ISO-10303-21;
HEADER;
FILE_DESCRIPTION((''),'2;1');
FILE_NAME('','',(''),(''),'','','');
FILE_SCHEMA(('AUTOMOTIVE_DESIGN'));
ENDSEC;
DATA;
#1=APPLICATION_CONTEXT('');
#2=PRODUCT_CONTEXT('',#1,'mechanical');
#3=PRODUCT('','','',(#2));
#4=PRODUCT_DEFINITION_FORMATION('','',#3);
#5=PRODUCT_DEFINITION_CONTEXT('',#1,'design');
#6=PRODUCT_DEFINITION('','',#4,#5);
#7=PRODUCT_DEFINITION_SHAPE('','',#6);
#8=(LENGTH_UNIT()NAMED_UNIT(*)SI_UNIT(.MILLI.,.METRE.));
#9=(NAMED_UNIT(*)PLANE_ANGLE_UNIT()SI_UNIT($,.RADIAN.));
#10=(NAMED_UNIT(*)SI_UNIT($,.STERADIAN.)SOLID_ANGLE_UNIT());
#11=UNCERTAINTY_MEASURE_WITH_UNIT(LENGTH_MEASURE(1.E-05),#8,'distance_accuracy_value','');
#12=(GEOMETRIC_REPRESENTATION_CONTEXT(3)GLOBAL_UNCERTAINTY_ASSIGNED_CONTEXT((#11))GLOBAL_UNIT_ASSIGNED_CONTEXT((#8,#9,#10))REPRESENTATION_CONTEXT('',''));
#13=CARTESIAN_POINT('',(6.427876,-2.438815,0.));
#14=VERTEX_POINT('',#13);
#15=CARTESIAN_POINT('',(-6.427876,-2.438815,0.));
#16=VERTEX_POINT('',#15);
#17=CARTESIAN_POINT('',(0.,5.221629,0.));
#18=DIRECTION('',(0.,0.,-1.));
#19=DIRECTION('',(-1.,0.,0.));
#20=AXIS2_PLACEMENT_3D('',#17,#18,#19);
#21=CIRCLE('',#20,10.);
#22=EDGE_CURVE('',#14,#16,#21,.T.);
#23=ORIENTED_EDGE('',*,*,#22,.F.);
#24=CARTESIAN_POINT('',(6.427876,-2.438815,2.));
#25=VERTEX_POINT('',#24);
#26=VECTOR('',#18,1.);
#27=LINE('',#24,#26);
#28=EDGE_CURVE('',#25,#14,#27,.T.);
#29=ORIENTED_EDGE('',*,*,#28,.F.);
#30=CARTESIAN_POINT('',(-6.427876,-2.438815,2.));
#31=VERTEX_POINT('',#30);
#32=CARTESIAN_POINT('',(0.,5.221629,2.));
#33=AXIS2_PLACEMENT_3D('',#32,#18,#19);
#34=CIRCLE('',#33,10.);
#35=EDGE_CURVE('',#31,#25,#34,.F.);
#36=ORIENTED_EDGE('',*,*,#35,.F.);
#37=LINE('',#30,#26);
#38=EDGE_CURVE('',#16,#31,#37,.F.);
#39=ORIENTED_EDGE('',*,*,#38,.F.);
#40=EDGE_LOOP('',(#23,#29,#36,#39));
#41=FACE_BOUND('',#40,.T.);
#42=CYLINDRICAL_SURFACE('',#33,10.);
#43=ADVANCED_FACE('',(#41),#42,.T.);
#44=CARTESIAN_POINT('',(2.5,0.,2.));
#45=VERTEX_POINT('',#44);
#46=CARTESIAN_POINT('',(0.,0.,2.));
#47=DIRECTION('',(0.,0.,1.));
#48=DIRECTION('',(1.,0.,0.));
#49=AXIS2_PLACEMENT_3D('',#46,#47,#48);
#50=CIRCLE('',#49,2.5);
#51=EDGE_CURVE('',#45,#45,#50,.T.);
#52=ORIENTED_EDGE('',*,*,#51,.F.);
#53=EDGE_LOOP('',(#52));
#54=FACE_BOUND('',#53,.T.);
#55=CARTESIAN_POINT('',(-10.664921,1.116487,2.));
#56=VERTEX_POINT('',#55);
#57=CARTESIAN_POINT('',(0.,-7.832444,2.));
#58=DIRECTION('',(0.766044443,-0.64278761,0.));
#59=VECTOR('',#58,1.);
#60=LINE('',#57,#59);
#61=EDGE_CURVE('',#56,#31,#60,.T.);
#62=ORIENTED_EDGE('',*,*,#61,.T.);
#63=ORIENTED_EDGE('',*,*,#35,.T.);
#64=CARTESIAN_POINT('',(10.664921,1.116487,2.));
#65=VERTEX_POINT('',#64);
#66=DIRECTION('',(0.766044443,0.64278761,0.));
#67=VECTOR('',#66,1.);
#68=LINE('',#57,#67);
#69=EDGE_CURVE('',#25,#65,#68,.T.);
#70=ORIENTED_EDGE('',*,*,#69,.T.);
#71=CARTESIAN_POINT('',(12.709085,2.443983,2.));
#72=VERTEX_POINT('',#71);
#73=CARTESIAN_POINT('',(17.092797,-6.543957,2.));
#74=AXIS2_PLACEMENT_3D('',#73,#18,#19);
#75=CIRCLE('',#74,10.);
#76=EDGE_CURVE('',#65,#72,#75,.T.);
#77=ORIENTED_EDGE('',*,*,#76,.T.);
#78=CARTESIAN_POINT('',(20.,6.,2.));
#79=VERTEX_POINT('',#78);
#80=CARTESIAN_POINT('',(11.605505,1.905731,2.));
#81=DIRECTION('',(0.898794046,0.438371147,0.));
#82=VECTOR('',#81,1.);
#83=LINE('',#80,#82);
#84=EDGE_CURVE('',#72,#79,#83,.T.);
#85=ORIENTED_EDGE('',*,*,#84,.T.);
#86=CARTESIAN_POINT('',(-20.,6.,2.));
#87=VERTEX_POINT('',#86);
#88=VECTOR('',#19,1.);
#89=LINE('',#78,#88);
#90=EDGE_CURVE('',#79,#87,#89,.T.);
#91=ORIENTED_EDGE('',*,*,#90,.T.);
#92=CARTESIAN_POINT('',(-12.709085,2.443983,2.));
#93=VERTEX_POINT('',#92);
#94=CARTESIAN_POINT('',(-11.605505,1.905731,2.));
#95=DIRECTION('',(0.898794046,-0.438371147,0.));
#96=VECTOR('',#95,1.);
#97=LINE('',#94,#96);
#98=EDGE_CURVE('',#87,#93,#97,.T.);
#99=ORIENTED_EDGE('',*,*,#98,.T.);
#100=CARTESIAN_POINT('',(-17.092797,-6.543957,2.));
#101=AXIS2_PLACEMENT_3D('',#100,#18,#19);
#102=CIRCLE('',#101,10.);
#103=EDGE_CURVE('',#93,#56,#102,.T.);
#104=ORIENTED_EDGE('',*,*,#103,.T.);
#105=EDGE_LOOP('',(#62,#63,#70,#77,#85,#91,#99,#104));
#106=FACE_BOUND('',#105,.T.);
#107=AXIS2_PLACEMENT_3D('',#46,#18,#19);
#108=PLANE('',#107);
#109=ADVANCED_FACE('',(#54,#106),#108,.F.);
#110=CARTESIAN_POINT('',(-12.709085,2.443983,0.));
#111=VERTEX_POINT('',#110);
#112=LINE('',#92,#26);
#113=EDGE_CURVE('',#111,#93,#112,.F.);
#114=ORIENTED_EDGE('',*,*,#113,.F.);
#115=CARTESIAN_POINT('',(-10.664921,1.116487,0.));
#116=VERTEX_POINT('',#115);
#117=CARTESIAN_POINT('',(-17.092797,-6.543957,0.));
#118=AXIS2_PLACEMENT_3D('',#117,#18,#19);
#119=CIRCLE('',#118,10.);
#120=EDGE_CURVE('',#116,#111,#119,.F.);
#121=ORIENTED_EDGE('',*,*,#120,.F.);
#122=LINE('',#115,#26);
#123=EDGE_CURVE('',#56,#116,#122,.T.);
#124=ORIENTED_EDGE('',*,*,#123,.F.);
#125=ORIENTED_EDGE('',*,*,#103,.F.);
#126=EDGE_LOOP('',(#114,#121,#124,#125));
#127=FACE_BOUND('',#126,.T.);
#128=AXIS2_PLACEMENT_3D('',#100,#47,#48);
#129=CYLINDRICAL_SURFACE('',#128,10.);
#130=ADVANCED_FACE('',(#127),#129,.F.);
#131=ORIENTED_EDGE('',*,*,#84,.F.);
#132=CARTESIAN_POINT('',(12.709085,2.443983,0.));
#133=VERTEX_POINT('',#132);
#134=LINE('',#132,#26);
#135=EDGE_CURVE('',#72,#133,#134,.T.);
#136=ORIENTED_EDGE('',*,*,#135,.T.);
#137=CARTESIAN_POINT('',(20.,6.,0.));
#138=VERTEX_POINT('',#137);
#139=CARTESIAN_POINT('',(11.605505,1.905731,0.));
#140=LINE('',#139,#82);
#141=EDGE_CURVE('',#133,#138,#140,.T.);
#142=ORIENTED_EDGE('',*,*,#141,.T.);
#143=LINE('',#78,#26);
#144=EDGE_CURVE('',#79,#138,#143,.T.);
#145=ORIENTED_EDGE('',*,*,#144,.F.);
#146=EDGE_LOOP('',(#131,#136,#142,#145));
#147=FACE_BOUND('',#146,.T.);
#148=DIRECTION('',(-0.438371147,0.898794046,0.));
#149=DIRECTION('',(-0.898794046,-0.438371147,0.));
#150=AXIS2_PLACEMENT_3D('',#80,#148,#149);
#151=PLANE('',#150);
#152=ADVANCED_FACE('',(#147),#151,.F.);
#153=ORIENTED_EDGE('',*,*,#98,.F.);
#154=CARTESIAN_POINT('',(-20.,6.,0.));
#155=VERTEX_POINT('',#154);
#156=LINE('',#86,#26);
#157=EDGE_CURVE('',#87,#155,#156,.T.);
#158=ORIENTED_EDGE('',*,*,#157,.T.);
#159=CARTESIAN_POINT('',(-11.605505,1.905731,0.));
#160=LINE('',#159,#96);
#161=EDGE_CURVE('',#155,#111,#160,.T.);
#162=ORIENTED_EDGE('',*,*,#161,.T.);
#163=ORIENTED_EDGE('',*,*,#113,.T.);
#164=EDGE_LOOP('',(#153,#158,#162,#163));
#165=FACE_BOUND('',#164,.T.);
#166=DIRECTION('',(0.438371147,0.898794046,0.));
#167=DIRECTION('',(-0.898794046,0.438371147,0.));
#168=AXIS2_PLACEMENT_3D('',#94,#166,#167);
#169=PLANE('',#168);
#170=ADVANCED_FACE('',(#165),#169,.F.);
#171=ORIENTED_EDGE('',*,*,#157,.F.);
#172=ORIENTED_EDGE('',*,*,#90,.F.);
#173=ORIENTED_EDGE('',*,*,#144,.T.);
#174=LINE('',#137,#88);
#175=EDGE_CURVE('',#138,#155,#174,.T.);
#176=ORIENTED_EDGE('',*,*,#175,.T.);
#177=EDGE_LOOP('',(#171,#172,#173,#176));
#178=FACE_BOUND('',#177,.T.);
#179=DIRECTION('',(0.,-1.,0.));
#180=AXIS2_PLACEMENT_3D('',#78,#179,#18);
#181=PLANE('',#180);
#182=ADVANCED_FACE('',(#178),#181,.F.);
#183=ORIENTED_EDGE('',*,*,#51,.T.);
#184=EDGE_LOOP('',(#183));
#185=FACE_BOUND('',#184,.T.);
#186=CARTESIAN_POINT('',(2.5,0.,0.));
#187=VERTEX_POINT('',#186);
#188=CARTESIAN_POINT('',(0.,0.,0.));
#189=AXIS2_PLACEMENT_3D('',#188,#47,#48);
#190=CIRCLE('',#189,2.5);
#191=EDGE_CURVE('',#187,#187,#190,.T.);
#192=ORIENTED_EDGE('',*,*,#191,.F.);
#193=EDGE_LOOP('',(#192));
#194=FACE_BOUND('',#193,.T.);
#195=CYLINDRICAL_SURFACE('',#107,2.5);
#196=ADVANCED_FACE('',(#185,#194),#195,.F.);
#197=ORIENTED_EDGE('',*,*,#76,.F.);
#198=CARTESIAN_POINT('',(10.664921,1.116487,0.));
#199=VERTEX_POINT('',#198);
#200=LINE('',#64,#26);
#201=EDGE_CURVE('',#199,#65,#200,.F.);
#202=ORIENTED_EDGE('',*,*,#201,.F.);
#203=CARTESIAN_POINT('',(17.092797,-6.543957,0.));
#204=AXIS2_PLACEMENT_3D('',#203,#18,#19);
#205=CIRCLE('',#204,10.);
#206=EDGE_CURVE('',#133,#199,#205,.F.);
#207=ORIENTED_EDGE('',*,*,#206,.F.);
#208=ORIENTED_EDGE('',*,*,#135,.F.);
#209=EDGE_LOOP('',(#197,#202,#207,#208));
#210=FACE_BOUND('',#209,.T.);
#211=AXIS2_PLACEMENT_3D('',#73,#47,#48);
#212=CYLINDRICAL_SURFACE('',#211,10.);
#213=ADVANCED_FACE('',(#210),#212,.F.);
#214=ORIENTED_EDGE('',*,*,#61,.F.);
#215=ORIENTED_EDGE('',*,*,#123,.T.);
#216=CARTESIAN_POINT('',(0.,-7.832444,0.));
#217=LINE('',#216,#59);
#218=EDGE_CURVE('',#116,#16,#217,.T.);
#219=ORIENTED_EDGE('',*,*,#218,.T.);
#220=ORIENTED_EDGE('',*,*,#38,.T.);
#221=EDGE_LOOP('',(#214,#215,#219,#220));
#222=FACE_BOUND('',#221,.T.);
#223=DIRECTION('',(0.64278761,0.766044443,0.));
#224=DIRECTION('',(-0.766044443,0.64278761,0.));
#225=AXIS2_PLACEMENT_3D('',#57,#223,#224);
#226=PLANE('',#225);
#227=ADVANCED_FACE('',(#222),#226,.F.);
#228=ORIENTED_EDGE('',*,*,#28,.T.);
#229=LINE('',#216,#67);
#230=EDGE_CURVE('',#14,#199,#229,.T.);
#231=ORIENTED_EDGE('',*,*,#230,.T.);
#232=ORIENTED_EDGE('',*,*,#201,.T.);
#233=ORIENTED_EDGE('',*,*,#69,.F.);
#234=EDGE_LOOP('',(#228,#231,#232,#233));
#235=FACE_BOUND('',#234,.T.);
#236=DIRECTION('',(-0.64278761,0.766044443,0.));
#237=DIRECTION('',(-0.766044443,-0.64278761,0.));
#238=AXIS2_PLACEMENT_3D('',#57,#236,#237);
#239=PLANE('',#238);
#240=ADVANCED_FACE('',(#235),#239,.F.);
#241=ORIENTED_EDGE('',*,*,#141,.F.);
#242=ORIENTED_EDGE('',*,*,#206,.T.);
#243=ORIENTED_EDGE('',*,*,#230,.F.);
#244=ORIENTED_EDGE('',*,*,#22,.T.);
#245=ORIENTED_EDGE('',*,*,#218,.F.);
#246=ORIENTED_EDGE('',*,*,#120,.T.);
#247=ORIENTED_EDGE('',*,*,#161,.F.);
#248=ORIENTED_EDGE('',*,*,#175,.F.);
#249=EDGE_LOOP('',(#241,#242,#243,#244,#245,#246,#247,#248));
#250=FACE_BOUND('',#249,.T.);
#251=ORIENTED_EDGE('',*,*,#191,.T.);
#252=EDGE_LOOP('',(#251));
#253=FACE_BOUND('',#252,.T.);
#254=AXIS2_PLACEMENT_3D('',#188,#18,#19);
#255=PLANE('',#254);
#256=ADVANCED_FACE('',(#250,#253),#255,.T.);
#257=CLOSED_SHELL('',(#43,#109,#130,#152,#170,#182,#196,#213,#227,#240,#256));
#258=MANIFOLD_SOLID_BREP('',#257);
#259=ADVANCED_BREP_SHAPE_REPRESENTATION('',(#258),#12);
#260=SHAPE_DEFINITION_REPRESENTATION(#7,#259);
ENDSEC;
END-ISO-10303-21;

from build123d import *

# Parameters (mm, degrees)
SKETCH_1_R      = 2.5
EXTRUDE_1_DEPTH = 2
FILLET_1_R      = 10


with BuildPart() as part:
    # ｽｹｯﾁ1 → ﾎﾞｽ - 押し出し1 (new body)
    with BuildSketch(Plane.XY):
        Polygon((0, -7.832443736), (11.605504985, 1.905731217), (20, 6), (-20, 6), (-11.605504985, 1.905731217), align=None)
        Circle(SKETCH_1_R, mode=Mode.SUBTRACT)
    extrude(amount=EXTRUDE_1_DEPTH)

    # ﾌｨﾚｯﾄ1
    fillet_1_edges = [part.edges().sort_by_distance(p)[0] for p in [
        (-11.605504985, 1.905731217, 1),
        (11.605504985, 1.905731217, 1),
        (0, -7.832443736, 1),
    ]]
    fillet(fillet_1_edges, radius=FILLET_1_R)


solid = part.part
